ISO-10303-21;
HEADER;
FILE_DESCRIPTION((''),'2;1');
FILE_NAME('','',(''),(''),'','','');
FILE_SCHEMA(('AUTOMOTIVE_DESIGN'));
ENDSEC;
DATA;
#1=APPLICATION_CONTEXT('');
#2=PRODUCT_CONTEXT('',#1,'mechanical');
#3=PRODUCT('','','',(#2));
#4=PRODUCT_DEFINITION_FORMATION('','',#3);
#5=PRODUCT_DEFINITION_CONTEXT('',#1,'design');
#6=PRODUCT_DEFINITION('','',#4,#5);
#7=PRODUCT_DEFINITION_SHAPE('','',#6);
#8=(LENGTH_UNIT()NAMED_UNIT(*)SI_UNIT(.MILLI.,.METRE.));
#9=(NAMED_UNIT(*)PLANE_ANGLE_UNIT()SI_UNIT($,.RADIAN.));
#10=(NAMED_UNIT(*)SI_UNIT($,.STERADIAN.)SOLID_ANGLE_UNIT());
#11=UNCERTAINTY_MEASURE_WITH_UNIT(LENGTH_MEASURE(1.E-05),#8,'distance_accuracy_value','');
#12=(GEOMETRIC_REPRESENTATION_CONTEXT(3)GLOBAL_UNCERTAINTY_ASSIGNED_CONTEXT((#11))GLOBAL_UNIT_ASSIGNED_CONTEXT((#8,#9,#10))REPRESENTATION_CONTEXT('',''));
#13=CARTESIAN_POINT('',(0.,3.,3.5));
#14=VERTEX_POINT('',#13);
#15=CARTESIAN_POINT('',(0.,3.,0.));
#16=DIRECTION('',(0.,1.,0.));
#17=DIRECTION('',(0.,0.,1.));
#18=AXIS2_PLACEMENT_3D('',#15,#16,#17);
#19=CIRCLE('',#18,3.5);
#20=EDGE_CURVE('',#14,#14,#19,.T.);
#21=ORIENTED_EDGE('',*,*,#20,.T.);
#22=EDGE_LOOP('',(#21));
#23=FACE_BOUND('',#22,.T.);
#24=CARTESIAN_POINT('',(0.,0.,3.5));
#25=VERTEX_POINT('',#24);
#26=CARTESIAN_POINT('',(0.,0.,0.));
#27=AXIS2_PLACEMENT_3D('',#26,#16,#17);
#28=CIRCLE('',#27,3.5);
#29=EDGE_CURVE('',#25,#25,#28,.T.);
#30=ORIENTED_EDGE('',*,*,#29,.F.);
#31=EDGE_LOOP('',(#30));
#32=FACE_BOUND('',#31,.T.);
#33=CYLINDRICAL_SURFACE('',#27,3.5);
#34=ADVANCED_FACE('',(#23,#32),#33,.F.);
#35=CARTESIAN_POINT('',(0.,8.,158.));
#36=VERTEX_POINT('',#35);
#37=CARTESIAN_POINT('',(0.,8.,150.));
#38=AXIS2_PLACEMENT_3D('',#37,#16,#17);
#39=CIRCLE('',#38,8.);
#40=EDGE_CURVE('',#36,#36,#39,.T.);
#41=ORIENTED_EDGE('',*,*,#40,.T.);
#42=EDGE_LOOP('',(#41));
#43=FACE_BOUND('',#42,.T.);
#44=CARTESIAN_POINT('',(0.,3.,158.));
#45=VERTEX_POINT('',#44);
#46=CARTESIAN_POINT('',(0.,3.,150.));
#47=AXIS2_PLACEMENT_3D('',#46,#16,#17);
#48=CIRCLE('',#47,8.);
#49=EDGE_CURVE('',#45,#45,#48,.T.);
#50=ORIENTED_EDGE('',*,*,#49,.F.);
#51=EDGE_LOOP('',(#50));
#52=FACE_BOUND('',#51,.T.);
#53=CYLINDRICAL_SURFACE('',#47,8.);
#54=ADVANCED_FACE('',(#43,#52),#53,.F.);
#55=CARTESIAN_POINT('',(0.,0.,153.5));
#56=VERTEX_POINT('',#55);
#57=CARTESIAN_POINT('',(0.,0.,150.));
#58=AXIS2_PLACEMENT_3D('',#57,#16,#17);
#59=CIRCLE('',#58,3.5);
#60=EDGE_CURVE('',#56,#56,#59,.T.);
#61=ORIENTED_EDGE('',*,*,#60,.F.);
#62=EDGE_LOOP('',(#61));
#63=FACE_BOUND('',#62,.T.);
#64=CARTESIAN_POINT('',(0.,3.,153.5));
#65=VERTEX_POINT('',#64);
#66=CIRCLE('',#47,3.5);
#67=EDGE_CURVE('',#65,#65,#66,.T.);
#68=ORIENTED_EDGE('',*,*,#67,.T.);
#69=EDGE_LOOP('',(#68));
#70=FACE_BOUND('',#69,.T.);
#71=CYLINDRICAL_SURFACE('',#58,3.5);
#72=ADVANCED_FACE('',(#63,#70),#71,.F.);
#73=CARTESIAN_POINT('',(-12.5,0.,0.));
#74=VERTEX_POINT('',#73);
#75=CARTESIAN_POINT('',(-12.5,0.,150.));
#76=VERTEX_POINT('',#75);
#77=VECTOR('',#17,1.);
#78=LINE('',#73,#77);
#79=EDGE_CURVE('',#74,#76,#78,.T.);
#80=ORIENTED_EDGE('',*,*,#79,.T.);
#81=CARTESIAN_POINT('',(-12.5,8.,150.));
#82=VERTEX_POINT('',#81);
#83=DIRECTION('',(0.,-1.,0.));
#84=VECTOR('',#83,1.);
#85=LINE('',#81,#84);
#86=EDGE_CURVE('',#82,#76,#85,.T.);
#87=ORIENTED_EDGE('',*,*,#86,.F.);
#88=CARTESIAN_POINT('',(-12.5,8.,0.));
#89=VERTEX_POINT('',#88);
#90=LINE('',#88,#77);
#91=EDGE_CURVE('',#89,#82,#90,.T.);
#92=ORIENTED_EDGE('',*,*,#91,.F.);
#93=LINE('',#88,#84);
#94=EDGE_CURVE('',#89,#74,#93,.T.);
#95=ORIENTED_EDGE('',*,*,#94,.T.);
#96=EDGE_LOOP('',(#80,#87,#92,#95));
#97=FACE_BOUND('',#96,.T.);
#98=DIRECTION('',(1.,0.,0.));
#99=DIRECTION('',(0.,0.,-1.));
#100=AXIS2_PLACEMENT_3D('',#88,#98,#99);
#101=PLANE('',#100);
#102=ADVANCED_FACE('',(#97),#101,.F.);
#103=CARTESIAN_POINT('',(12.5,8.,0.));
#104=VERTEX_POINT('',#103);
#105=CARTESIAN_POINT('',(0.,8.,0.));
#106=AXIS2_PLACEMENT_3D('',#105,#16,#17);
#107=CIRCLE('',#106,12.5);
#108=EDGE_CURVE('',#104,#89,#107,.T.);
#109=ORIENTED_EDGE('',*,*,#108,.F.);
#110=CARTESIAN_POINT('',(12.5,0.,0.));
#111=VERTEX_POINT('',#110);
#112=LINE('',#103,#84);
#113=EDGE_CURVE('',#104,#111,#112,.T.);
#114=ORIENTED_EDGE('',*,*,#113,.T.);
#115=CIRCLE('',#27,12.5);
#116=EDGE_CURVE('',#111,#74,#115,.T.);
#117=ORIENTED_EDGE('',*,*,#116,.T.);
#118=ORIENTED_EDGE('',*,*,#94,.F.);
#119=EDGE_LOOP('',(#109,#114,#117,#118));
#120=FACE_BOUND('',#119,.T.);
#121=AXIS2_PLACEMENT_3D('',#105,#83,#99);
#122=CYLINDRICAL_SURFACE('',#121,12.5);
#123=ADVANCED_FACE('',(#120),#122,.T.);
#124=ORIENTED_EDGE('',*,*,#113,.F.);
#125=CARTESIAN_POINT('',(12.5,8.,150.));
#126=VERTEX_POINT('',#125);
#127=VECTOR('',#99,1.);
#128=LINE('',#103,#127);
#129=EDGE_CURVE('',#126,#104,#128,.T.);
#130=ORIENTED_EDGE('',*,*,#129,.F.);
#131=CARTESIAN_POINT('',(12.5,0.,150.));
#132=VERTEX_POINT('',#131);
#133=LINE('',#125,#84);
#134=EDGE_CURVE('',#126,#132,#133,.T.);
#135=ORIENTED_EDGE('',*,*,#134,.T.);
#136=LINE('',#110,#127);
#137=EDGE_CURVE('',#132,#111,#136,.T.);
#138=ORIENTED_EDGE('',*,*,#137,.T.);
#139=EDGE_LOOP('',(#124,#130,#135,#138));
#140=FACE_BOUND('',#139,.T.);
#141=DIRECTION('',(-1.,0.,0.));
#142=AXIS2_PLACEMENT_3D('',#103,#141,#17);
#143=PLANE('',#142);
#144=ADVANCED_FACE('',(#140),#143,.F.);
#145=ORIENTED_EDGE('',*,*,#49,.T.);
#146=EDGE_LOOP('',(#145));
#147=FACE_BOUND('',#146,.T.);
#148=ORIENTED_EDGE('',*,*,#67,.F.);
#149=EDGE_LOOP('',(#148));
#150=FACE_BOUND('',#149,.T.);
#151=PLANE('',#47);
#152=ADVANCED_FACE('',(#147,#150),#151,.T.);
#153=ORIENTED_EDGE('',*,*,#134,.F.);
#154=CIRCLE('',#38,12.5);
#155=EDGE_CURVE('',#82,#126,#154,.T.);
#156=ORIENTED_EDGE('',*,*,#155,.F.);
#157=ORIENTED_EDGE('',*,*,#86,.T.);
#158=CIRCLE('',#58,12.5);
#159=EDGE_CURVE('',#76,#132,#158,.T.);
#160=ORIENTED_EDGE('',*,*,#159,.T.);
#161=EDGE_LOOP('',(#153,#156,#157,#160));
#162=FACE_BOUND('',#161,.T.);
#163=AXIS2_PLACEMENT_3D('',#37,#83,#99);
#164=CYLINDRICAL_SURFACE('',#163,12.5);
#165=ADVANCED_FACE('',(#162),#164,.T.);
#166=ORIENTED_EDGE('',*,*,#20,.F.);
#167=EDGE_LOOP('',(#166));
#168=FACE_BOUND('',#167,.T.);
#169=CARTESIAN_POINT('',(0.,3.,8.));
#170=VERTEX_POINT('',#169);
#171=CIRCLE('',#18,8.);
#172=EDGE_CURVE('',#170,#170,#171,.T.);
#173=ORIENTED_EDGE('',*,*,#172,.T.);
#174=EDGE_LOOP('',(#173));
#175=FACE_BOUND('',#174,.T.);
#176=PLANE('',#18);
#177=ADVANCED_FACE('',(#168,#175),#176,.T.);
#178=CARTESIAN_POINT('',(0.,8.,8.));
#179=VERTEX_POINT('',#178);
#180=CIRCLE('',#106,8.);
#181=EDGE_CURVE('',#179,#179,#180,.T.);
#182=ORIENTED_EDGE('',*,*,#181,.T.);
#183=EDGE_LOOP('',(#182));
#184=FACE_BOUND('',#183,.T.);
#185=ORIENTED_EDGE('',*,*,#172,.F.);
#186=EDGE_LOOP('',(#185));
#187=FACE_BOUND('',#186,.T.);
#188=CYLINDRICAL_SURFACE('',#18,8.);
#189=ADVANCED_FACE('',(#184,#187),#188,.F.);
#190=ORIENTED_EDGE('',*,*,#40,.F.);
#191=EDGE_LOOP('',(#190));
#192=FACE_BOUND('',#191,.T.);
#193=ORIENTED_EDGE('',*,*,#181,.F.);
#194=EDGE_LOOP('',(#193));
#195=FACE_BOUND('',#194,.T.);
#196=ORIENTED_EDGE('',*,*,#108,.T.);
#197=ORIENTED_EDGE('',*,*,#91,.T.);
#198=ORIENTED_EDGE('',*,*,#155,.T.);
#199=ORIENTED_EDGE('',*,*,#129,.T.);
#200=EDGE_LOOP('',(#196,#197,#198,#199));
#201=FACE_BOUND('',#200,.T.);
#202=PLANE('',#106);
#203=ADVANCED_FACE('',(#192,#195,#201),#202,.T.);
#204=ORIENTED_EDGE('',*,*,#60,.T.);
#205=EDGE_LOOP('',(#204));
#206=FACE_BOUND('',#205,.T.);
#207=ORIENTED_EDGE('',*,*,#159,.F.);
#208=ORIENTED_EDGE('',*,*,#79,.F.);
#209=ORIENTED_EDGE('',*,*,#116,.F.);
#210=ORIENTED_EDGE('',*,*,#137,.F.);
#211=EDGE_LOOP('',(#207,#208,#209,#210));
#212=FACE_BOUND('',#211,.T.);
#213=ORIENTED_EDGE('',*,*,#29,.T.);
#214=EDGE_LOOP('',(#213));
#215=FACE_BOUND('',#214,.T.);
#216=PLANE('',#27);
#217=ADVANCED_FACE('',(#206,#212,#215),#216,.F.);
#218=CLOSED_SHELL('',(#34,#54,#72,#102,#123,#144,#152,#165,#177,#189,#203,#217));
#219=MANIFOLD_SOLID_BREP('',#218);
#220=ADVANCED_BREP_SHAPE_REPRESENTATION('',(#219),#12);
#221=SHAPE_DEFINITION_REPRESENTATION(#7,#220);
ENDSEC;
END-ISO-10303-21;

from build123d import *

# Parameters (mm, degrees)
BOSS_EXTRUDE1_DEPTH = 8
SKETCH2_R           = 8
CUT_EXTRUDE1_DEPTH  = 5
SKETCH3_R           = 3.5
CUT_EXTRUDE2_DEPTH  = 164.176285042
SKETCH4_R           = 8
CUT_EXTRUDE3_DEPTH  = 5
SKETCH5_R           = 3.5
CUT_EXTRUDE4_DEPTH  = 164.176285042


with BuildPart() as part:
    # Sketch1 → Boss-Extrude1 (new body)
    with BuildSketch(Plane(origin=(0, 0, 0), x_dir=(1, 0, 0), z_dir=(0, 1, 0))):
        with BuildLine():
            Line((-12.5, 0), (-12.5, -150))
            ThreePointArc((-12.5, -150), (0, -162.5), (12.5, -150))
            Line((12.5, -150), (12.5, 0))
            ThreePointArc((12.5, 0), (0, 12.5), (-12.5, 0))
        make_face()
    extrude(amount=BOSS_EXTRUDE1_DEPTH)

    # Sketch2 → Cut-Extrude1 (cut)
    with BuildSketch(Plane(origin=(0, 8, 0), x_dir=(1, 0, 0), z_dir=(0, 1, 0))):
        with Locations(Location((0, 0, 0), (0, 0, 270))):
            Circle(SKETCH2_R)
    extrude(amount=-CUT_EXTRUDE1_DEPTH, mode=Mode.SUBTRACT)

    # Sketch3 → Cut-Extrude2 (cut, through all)
    with BuildSketch(Plane(origin=(0, 8, 0), x_dir=(1, 0, 0), z_dir=(0, 1, 0))):
        with Locations(Location((0, 0, 0), (0, 0, 270))):
            Circle(SKETCH3_R)
    extrude(amount=-CUT_EXTRUDE2_DEPTH, mode=Mode.SUBTRACT)

    # Sketch4 → Cut-Extrude3 (cut)
    with BuildSketch(Plane(origin=(0, 8, 0), x_dir=(1, 0, 0), z_dir=(0, 1, 0))):
        with Locations(Location((0, -150, 0), (0, 0, 270))):
            Circle(SKETCH4_R)
    extrude(amount=-CUT_EXTRUDE3_DEPTH, mode=Mode.SUBTRACT)

    # Sketch5 → Cut-Extrude4 (cut, through all)
    with BuildSketch(Plane(origin=(0, 8, 0), x_dir=(1, 0, 0), z_dir=(0, 1, 0))):
        with Locations(Location((0, -150, 0), (0, 0, 270))):
            Circle(SKETCH5_R)
    extrude(amount=-CUT_EXTRUDE4_DEPTH, mode=Mode.SUBTRACT)


solid = part.part
